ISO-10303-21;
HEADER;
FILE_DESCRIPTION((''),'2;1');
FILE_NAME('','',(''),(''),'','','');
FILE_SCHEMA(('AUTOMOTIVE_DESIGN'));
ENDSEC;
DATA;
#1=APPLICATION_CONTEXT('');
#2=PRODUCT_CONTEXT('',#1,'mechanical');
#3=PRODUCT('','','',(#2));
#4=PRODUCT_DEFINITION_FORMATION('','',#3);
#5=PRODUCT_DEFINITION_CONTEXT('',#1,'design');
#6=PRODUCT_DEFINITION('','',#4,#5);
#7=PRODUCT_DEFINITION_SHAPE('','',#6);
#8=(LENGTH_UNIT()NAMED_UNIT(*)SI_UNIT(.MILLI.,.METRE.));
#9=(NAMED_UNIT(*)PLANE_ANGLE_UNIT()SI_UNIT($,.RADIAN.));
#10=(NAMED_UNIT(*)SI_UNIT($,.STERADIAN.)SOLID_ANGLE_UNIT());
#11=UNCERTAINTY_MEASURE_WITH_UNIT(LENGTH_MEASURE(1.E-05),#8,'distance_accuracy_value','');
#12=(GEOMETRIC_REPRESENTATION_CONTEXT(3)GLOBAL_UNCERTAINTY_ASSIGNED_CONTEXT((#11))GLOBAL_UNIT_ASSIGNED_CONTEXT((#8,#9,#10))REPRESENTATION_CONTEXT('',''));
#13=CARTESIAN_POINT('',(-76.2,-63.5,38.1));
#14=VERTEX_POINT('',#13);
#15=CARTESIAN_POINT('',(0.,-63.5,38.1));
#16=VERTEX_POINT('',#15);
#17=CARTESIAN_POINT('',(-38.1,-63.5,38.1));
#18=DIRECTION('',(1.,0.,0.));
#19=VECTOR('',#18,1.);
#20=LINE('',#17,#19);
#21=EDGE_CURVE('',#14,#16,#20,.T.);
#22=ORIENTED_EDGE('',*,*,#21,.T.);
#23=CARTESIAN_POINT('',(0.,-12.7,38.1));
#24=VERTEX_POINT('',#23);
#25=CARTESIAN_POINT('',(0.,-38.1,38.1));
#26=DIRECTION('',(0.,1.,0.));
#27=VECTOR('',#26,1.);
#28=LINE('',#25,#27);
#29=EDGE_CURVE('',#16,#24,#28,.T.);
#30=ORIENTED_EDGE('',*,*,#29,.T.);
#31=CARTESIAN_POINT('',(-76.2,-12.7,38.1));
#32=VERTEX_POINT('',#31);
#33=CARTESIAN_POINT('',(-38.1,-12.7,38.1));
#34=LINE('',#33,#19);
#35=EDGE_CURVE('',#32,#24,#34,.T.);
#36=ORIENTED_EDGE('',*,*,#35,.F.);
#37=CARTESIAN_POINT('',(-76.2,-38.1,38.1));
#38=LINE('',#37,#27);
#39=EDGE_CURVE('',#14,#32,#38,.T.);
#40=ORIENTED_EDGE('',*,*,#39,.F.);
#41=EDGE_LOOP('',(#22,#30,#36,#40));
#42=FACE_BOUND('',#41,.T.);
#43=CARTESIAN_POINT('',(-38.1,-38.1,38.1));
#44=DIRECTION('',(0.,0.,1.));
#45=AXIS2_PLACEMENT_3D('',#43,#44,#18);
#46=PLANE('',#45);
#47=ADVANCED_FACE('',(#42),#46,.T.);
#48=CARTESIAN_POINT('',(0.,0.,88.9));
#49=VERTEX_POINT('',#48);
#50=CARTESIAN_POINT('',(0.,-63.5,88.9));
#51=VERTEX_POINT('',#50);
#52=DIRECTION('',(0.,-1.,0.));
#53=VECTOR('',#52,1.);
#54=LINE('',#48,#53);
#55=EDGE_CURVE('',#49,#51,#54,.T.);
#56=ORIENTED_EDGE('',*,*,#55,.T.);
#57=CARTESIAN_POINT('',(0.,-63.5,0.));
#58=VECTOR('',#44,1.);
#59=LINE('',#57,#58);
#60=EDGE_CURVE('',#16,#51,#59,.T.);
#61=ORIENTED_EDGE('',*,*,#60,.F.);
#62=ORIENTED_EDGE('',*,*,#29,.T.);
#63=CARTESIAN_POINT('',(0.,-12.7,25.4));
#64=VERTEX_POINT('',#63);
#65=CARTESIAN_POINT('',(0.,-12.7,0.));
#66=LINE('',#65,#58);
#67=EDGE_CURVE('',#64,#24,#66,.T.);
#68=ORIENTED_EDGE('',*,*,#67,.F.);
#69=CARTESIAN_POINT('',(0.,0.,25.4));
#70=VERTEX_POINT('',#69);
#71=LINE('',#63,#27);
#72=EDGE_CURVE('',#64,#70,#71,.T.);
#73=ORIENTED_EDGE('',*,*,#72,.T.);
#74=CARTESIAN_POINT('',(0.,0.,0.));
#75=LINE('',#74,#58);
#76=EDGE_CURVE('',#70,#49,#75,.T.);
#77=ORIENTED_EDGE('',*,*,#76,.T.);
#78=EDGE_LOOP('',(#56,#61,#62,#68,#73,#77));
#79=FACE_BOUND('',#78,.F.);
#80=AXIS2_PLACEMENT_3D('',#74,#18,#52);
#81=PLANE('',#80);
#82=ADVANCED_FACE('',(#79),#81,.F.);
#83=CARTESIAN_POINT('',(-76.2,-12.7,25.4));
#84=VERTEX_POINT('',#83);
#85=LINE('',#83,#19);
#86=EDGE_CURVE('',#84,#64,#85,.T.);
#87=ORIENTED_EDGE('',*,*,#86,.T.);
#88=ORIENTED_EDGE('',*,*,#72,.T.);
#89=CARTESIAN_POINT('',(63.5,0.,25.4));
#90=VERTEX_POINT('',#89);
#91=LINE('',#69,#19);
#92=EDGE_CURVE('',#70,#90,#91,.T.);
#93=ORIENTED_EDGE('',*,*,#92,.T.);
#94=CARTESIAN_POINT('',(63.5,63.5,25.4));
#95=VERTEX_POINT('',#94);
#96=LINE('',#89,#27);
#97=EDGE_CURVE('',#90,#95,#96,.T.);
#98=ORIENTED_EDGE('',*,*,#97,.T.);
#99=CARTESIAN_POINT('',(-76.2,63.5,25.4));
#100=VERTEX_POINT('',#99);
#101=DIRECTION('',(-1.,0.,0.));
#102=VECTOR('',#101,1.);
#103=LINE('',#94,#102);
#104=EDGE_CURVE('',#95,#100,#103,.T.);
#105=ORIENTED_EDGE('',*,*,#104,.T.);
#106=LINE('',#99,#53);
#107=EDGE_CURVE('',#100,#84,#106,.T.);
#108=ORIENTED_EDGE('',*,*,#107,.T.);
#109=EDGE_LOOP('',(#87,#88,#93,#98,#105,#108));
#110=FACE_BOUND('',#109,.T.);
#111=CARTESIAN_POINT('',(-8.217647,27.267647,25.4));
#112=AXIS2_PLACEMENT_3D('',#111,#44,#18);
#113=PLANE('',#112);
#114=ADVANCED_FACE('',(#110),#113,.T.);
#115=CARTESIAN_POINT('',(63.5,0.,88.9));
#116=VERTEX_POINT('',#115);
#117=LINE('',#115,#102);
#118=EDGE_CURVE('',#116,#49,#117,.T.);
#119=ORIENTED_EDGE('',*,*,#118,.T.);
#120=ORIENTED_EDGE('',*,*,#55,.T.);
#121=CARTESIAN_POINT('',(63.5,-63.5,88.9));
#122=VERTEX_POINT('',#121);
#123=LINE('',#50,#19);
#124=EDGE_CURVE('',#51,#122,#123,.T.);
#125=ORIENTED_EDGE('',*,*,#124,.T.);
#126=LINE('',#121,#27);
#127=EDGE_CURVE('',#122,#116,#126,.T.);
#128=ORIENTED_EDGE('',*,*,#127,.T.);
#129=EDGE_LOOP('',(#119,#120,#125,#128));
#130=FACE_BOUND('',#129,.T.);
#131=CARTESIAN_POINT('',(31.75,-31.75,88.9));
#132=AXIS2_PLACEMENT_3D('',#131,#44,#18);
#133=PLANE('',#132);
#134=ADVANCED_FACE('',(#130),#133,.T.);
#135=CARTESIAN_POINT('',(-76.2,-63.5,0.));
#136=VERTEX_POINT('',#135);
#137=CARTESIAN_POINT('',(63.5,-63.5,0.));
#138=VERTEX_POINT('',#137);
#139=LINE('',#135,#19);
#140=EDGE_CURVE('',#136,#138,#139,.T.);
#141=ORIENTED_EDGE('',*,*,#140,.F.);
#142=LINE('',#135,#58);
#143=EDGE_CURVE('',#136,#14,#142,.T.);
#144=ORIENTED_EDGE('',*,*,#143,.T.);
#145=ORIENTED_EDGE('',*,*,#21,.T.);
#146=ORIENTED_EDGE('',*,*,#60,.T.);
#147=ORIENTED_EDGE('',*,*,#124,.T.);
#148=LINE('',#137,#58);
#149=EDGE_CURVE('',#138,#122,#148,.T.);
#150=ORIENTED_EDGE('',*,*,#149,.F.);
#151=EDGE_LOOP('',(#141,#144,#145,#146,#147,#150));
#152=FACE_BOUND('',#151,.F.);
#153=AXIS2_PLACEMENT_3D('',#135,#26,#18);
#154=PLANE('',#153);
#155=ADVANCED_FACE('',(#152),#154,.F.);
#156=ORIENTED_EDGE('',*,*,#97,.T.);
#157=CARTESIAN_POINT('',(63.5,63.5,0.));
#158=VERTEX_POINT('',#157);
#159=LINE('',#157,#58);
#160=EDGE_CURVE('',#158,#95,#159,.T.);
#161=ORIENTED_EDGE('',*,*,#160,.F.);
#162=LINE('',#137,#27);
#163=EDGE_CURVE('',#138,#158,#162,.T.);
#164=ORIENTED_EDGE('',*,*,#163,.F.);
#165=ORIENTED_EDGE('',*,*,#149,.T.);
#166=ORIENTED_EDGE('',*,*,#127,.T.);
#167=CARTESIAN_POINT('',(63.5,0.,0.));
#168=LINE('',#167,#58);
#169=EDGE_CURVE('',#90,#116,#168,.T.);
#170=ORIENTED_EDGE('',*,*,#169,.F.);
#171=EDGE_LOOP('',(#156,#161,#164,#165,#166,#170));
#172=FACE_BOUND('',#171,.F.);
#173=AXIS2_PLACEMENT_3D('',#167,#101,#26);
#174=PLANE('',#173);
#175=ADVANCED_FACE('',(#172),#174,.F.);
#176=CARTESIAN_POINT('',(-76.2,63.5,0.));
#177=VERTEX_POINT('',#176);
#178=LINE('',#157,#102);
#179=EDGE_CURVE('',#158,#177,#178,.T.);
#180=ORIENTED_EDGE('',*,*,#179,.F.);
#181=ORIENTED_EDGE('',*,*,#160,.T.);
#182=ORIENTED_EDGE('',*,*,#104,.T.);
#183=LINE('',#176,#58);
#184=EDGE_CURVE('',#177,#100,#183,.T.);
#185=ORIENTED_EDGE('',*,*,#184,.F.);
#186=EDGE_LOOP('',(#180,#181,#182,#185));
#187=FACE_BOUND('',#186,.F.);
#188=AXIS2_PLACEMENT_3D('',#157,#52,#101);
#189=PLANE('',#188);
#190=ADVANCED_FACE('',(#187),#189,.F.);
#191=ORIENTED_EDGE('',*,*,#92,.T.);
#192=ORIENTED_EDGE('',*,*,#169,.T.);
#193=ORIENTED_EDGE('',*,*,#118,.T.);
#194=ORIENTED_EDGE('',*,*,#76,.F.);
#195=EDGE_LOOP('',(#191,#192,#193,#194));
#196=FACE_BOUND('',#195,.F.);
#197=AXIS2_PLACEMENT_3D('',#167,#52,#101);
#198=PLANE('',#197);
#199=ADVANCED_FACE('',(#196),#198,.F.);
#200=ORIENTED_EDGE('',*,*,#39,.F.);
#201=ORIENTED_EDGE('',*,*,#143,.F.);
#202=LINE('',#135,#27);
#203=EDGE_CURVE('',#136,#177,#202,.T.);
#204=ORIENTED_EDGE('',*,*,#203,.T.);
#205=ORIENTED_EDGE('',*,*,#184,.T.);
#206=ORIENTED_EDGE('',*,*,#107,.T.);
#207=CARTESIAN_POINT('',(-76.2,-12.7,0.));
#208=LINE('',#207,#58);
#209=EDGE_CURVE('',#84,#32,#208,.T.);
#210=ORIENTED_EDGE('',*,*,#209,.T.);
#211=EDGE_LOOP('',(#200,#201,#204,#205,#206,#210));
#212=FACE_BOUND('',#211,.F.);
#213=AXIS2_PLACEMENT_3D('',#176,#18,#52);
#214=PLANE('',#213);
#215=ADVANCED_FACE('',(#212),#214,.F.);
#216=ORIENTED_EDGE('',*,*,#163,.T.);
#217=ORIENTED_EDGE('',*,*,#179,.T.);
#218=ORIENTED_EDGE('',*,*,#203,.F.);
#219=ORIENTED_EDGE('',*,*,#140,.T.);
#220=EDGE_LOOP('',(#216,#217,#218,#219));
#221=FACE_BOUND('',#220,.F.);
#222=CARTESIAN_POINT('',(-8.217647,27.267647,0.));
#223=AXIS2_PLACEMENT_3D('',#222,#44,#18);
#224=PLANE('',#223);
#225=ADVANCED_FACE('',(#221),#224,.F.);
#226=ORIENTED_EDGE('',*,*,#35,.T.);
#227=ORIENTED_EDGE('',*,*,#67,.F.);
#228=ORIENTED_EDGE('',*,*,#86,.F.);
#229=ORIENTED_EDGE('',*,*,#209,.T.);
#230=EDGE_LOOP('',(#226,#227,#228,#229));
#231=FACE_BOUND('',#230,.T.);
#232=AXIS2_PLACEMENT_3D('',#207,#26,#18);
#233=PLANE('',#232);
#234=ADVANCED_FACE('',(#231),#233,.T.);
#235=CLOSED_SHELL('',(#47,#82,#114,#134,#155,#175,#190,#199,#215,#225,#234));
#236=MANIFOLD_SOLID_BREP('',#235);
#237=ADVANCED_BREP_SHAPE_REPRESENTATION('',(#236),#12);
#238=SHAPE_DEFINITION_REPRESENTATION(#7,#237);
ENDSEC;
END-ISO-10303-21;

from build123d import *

# Parameters (mm, degrees)
F1_DEPTH = 88.9
F0_W     = 76.2
F0_H     = 50.8
F2_DEPTH = 38.1
F3_DEPTH = 25.4


with BuildPart() as f1:
    # F0 (on Top) → F1 (new body)
    with BuildSketch(Plane.XY):
        Polygon((0, -63.5), (63.5, -63.5), (63.5, 0), (0, 0), (0, -12.7), align=None)
    extrude(amount=F1_DEPTH)

    # F0 (on Top) → F2 (join)
    with BuildSketch(Plane.XY):
        with Locations((-38.1, -38.1)):
            Rectangle(F0_W, F0_H)
    extrude(amount=F2_DEPTH)

    # F0 (on Top) → F3 (join)
    with BuildSketch(Plane.XY):
        Polygon((0, 0), (63.5, 0), (63.5, 63.5), (-76.2, 63.5), (-76.2, -12.7), (0, -12.7), align=None)
    extrude(amount=F3_DEPTH)


solid = f1.part
